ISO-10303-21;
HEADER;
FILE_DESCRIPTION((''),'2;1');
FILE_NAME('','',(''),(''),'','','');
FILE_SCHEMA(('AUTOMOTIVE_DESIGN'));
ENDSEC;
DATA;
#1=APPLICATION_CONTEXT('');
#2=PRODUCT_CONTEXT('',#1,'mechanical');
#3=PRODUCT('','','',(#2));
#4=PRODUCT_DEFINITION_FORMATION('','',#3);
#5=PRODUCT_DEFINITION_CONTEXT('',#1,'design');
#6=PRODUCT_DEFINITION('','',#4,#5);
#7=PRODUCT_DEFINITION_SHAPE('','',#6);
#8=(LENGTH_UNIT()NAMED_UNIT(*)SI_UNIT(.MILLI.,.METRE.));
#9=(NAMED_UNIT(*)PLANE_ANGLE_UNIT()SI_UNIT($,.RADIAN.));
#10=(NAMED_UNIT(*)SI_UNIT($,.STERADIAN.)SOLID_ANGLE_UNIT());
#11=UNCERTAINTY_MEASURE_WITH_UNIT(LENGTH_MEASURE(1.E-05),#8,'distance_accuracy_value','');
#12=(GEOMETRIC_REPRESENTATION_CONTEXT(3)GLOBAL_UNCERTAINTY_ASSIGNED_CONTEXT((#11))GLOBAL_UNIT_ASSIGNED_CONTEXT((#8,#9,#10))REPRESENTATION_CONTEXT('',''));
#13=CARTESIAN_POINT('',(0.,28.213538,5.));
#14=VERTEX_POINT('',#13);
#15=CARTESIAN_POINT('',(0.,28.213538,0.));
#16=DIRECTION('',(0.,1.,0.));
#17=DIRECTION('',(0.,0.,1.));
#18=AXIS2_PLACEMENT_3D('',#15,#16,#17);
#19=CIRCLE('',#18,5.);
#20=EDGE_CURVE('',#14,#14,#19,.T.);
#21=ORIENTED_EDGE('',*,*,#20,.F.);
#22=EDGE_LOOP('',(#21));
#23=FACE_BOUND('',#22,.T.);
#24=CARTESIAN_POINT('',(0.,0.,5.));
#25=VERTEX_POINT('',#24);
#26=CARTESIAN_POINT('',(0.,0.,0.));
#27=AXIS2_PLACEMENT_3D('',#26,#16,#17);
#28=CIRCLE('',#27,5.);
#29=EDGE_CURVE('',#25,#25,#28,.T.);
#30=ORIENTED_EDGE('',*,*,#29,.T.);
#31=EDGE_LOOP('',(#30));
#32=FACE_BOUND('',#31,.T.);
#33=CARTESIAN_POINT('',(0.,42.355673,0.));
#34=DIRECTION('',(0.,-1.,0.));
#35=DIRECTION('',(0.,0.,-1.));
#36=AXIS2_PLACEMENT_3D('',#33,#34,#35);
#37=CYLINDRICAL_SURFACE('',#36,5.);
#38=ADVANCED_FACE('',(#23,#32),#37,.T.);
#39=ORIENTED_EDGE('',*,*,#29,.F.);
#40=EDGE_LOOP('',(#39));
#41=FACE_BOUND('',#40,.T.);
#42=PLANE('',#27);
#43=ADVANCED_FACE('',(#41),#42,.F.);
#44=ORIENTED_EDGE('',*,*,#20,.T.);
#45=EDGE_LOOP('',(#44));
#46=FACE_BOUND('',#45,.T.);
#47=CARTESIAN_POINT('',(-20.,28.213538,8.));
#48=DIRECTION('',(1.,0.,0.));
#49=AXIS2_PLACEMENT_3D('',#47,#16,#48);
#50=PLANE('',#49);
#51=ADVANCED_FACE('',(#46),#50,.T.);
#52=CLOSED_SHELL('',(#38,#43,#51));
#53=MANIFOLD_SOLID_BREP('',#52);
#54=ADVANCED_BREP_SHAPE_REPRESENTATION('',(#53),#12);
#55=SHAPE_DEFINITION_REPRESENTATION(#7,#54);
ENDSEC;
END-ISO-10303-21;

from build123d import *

# Parameters (mm, degrees)
SKETCH_1_R      = 5
EXTRUDE_1_DEPTH = 28.213538


with BuildPart() as part:
    # Эскиз1 → Бобышка-Вытянуть1 (new body)
    with BuildSketch(Plane(origin=(0, 0, 0), x_dir=(1, 0, 0), z_dir=(0, 1, 0))):
        Circle(SKETCH_1_R)
    extrude(amount=EXTRUDE_1_DEPTH)


solid = part.part
